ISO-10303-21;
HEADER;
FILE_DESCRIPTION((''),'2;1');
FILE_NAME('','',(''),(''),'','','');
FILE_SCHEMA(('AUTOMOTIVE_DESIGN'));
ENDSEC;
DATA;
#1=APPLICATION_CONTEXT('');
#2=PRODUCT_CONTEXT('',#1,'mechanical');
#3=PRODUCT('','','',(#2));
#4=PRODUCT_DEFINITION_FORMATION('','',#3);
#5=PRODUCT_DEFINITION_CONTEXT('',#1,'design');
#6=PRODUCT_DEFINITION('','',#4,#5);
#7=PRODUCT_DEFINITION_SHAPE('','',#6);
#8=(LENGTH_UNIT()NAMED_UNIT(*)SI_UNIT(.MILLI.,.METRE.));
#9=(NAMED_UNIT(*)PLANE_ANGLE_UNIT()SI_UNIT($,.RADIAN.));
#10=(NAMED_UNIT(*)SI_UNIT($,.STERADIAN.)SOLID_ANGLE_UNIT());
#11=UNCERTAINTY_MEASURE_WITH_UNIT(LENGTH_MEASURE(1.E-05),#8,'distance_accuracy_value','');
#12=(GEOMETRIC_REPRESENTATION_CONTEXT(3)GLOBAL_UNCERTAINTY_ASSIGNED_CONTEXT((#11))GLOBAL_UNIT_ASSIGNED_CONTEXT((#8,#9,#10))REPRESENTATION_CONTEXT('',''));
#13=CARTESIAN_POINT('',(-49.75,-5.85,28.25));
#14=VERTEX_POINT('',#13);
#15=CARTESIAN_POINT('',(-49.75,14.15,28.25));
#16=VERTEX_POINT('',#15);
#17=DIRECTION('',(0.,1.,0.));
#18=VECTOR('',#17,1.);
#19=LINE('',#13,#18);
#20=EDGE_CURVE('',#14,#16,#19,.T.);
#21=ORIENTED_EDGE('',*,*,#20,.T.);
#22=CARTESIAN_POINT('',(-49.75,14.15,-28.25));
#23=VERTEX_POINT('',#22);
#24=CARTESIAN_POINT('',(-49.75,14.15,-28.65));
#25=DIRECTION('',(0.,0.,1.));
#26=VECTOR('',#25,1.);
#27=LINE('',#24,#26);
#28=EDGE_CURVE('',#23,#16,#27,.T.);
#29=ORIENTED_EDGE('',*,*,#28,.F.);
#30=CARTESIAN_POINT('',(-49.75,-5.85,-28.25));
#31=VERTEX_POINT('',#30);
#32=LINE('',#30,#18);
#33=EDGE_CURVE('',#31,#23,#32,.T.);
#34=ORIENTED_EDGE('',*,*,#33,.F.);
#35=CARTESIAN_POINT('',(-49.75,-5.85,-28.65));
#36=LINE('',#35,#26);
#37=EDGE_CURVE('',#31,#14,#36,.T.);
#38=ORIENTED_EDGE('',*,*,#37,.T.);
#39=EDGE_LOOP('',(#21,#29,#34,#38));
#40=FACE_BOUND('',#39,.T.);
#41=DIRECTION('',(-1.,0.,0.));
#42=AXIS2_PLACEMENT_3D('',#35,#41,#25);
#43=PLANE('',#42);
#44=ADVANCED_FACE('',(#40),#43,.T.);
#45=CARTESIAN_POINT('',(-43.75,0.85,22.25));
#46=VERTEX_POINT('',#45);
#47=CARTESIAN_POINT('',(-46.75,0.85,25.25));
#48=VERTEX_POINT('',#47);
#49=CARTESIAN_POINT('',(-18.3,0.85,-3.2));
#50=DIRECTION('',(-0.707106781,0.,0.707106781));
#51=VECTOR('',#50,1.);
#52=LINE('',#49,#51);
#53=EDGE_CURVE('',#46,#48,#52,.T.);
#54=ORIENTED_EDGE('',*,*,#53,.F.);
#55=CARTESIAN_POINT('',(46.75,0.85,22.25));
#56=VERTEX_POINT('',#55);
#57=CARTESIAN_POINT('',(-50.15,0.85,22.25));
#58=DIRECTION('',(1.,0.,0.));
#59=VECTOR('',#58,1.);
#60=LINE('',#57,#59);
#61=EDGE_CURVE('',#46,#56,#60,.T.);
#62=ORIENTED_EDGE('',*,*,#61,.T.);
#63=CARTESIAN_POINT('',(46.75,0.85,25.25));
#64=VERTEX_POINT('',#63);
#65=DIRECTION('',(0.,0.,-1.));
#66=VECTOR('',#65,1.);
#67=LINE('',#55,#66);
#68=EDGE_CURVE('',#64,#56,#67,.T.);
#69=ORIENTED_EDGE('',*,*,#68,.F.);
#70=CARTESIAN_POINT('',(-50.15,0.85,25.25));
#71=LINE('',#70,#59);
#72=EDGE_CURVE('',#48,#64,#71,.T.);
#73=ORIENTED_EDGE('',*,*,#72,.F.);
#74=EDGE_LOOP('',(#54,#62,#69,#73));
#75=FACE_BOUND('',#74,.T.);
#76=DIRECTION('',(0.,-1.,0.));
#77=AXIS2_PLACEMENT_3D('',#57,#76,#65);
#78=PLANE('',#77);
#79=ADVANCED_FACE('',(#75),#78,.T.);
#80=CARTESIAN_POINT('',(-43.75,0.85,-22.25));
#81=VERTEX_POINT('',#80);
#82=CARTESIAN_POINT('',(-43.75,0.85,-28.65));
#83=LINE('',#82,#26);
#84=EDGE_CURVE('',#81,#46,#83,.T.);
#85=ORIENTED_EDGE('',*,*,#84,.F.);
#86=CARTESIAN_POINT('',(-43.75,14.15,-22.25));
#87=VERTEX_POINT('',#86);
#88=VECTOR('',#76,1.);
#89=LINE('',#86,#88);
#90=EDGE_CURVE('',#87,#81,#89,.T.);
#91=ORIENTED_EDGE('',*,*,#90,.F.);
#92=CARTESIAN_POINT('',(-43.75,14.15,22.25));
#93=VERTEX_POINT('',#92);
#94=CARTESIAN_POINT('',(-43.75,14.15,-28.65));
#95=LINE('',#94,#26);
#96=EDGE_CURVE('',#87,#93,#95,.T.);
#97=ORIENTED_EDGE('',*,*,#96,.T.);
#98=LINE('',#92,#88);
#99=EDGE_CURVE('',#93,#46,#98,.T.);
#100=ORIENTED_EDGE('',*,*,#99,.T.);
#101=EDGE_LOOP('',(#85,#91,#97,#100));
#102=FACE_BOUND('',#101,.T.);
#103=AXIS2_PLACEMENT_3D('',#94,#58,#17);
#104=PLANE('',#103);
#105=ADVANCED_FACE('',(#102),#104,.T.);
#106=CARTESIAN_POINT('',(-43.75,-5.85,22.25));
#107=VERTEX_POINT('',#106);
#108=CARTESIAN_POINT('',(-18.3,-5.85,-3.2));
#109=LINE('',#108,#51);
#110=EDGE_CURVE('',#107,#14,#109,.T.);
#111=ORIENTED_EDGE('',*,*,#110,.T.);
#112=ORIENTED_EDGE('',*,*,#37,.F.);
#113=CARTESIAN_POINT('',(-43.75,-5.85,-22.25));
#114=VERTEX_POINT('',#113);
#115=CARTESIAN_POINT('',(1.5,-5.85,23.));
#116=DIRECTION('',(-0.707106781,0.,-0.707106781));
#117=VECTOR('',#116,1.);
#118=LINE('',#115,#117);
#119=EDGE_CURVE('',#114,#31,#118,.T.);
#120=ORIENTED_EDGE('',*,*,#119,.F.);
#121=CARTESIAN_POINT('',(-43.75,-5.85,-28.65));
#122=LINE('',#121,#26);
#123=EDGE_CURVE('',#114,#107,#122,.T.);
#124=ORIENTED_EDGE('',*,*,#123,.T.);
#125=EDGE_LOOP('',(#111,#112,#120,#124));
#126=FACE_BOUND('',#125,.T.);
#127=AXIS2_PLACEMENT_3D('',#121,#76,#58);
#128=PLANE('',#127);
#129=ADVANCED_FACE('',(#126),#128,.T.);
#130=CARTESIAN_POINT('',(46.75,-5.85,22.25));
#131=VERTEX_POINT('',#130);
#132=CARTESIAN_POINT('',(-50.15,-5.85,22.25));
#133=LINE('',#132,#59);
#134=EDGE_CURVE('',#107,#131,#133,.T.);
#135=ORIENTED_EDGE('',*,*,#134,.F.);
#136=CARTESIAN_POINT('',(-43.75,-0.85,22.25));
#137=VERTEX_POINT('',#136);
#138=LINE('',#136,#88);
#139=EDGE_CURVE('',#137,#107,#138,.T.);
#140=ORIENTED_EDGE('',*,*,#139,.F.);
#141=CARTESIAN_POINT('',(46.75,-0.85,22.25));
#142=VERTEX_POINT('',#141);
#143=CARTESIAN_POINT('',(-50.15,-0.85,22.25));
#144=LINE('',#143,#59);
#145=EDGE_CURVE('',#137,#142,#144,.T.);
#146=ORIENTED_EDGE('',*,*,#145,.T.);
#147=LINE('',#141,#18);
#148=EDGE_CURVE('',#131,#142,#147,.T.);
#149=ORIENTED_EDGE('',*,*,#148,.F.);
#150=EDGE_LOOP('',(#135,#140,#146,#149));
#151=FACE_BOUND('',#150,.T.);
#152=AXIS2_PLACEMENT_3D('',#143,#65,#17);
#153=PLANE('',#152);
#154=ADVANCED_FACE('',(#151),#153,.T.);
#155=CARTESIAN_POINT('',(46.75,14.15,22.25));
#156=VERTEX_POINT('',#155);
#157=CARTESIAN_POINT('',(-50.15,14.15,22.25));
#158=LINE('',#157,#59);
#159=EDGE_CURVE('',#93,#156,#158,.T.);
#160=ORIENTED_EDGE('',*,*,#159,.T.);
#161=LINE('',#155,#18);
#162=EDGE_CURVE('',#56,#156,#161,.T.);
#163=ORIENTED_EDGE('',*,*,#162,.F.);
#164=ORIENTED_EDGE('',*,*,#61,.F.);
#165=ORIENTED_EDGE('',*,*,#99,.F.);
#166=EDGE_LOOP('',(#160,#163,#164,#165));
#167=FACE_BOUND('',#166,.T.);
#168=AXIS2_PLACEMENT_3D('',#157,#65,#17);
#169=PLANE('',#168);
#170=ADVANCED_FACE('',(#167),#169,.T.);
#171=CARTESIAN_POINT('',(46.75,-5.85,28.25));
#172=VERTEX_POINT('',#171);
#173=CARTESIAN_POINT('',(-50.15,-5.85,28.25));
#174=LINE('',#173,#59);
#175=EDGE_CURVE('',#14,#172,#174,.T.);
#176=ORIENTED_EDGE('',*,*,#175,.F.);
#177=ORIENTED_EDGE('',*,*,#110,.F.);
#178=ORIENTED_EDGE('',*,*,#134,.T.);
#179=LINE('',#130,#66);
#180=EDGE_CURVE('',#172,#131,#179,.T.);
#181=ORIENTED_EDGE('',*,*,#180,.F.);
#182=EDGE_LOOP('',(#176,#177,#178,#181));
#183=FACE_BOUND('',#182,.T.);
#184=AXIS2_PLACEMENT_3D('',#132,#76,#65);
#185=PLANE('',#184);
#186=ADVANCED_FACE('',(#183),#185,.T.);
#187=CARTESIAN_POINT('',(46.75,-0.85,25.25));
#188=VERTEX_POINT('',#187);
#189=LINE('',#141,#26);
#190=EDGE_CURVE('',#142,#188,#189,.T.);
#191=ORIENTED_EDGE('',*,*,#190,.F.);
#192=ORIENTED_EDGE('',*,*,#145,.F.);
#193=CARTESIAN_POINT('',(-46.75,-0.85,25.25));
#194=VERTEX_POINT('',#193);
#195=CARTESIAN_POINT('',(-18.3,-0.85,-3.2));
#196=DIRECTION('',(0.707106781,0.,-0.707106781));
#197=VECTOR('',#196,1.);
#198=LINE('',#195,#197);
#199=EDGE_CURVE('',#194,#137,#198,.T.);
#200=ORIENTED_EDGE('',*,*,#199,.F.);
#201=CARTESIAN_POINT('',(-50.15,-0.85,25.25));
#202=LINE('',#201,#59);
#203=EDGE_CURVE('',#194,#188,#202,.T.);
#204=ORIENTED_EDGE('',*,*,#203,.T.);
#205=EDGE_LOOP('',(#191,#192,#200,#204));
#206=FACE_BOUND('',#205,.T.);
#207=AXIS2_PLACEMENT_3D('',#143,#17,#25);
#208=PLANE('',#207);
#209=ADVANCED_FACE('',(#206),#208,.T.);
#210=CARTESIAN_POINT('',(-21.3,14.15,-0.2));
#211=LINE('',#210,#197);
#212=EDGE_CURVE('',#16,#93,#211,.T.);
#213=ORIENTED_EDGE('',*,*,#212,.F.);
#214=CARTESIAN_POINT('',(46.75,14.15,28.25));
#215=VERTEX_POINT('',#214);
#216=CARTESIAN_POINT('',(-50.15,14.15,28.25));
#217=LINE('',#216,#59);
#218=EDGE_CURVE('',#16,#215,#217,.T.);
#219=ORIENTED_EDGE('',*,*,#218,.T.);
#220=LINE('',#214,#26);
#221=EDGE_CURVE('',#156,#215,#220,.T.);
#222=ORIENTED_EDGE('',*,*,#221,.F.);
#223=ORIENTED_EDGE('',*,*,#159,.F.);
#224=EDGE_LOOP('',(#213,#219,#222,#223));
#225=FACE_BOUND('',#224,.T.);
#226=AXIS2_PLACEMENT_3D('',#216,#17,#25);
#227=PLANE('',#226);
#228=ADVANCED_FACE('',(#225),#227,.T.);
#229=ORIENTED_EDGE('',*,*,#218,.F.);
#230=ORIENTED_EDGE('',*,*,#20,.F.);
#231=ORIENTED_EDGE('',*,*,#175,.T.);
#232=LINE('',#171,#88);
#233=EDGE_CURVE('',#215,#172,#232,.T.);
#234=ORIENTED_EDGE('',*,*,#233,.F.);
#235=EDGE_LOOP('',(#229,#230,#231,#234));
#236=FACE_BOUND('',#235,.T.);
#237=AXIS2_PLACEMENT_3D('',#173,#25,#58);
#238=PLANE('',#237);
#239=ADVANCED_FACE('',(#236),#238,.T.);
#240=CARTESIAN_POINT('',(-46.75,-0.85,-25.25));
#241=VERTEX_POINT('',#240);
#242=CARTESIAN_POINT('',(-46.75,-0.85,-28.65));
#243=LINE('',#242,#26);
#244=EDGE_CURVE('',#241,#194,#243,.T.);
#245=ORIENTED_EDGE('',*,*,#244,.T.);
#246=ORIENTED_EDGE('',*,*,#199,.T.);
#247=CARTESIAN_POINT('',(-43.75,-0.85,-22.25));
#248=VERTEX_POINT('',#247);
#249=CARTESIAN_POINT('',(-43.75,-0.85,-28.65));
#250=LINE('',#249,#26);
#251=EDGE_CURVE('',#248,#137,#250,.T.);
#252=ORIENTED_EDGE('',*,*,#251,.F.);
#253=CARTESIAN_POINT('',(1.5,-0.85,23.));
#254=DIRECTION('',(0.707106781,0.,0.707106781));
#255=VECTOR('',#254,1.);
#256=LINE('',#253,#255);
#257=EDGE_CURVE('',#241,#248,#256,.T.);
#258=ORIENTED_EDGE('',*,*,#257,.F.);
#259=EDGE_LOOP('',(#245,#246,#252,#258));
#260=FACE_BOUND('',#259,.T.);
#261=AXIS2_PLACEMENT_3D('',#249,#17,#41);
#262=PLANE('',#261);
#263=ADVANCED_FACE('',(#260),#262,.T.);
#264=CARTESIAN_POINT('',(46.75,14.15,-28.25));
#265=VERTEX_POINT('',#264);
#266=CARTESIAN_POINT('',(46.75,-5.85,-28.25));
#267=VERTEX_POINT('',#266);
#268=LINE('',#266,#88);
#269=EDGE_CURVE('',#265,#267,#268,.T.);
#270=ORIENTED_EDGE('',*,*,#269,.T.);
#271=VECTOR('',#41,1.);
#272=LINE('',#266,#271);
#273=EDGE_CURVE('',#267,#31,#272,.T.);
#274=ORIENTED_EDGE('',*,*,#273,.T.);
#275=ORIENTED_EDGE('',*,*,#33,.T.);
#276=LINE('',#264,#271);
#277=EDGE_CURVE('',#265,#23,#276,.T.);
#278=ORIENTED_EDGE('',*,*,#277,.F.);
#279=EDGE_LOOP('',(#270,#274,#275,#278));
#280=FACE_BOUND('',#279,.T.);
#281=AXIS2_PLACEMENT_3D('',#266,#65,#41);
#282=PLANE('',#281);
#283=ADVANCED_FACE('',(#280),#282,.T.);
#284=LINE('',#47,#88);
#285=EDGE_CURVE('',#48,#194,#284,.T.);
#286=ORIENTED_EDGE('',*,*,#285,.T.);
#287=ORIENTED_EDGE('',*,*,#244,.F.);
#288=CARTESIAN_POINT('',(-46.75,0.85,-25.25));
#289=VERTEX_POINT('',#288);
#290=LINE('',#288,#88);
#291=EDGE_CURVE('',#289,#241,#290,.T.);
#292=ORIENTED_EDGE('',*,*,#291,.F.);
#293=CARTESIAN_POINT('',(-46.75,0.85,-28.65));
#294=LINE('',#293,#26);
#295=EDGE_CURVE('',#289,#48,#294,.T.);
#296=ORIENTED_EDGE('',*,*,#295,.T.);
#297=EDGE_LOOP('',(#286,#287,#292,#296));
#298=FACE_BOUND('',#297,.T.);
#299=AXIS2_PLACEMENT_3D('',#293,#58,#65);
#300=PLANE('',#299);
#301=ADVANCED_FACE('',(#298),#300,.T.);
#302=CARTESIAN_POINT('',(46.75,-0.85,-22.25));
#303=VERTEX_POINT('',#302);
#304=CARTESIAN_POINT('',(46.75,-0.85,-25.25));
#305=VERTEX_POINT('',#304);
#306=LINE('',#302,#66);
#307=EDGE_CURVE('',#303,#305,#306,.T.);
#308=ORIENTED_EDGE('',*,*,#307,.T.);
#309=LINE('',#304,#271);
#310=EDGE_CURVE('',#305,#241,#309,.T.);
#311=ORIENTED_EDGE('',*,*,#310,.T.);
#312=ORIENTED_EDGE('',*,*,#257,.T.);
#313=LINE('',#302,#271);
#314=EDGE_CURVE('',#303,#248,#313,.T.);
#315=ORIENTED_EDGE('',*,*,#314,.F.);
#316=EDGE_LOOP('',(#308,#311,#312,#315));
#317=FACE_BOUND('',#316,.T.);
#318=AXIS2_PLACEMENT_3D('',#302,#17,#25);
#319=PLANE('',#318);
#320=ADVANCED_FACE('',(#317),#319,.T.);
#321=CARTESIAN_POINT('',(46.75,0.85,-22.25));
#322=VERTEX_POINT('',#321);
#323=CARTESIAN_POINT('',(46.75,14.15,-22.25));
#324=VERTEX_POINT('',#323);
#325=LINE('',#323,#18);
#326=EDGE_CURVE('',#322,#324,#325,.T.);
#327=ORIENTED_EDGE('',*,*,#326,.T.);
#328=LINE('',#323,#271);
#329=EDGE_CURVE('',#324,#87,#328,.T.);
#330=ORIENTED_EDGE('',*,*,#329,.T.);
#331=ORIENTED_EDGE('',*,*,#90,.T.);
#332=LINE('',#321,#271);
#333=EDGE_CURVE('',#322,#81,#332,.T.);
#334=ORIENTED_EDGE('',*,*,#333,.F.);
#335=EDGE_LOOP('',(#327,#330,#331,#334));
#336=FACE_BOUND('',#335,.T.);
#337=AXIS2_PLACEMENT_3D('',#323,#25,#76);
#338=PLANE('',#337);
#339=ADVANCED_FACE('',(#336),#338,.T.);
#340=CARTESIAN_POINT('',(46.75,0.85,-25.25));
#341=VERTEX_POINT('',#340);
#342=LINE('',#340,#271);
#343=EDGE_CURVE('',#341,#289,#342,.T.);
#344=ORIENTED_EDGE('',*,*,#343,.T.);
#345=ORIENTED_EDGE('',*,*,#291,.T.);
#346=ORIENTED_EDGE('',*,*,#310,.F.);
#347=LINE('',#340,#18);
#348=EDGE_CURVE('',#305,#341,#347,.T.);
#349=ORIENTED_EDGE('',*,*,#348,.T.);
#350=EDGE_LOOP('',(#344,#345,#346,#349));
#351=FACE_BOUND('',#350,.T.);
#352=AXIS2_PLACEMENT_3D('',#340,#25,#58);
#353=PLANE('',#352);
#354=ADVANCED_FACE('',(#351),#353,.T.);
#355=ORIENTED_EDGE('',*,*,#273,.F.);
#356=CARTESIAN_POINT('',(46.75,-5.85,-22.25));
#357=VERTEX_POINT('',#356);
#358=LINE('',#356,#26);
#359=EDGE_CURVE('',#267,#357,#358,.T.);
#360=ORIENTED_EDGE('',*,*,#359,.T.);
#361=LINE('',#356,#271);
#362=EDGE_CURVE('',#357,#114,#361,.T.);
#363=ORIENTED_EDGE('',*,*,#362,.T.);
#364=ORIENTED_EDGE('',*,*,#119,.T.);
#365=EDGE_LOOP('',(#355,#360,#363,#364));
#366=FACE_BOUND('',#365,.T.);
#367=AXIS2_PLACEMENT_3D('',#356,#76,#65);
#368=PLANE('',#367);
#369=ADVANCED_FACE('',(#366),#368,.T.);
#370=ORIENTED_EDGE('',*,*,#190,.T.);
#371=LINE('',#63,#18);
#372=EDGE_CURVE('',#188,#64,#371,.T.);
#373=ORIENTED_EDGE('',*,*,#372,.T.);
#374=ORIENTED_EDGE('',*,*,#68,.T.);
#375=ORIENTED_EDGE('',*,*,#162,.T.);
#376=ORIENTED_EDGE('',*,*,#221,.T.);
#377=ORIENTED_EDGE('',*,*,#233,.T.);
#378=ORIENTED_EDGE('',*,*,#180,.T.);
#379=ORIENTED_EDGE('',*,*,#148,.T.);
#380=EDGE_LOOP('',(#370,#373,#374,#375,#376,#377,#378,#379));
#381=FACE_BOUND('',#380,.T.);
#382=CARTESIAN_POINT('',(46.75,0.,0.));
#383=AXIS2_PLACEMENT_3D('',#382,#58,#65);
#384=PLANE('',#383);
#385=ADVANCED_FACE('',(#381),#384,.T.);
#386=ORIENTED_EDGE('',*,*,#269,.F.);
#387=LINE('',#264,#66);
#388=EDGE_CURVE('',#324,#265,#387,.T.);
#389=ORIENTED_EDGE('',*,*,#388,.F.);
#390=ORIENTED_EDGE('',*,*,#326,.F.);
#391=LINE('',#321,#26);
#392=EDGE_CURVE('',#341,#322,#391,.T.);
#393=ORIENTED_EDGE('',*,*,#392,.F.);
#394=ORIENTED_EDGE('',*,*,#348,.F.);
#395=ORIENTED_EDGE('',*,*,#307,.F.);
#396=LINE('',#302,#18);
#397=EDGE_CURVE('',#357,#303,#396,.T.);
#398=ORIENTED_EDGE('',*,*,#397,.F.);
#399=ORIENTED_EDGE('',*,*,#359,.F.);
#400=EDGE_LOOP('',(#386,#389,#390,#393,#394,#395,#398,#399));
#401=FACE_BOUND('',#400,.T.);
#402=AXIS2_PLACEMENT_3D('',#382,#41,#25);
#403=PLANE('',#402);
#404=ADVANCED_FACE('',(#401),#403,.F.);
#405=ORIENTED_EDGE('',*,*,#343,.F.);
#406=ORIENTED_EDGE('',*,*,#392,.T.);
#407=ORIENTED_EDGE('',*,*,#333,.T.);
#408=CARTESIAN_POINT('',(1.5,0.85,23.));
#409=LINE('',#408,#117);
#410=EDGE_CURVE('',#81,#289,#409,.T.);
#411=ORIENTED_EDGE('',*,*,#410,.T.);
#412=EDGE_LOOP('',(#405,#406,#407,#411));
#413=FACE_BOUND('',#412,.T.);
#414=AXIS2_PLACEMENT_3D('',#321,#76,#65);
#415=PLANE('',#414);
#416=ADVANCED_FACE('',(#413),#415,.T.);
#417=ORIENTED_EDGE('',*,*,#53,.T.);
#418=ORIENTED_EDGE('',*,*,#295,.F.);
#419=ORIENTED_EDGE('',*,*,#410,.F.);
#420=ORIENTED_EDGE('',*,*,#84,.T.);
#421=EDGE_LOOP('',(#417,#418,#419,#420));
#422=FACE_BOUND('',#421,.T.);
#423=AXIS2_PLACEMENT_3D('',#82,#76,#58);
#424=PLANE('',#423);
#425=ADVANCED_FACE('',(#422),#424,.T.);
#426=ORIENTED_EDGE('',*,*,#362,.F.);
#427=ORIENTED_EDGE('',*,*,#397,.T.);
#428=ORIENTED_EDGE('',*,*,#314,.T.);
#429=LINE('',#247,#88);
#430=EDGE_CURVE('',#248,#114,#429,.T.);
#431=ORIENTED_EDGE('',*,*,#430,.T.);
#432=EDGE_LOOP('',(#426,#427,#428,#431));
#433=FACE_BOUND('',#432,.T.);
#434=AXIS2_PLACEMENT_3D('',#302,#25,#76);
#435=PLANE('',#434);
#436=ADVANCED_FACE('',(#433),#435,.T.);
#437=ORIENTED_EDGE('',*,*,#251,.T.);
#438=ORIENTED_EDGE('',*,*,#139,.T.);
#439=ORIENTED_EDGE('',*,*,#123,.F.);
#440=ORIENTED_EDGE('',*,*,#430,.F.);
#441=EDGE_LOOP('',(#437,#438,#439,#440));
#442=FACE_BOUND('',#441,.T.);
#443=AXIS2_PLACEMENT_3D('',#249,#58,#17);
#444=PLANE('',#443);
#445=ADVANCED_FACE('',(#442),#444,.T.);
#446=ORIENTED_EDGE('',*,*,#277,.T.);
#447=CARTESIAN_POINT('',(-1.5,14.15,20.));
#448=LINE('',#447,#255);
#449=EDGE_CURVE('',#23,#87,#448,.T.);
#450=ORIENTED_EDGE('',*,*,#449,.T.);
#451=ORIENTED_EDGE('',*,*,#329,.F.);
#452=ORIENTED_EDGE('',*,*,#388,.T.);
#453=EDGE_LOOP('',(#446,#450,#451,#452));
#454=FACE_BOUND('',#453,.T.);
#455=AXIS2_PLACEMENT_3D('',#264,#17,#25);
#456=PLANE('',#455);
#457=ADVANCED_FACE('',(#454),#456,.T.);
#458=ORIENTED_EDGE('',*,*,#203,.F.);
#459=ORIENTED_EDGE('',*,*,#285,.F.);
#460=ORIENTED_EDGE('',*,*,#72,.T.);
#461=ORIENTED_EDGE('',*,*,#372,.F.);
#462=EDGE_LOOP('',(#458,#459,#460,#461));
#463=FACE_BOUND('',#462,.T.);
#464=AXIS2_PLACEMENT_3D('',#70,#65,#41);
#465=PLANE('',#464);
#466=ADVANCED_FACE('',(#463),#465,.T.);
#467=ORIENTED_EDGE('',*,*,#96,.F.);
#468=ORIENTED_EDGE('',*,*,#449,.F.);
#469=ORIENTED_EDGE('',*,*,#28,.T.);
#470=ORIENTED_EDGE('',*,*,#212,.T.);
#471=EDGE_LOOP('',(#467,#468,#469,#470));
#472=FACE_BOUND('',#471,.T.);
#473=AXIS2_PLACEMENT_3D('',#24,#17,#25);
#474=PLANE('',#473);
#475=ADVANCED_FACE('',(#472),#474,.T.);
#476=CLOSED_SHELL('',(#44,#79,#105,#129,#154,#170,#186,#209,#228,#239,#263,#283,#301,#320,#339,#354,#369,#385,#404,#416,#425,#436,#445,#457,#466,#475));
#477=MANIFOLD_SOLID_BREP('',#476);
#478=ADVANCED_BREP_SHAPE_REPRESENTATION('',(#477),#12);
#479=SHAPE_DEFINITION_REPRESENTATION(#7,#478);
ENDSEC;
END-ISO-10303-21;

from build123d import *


with BuildPart() as part:
    # Sweep1: sweep along a path in Sketch1
    with BuildLine(Plane(origin=(0, 0, 0), x_dir=(1, 0, 0), z_dir=(0, 1, 0))) as sweep1_path:
        Line((46.75, -25.25), (-46.75, -25.25))
        Line((-46.75, -25.25), (-46.75, 25.25))
        Line((-46.75, 25.25), (46.75, 25.25))
    # Sketch2 → Sweep1 (sweep)
    with BuildSketch(Plane(origin=(46.75, 0, 0), x_dir=(0, 0, -1), z_dir=(1, 0, 0))):
        Polygon((-25.25, 0.85), (-25.25, -0.85), (-22.25, -0.85), (-22.25, -5.85), (-28.25, -5.85), (-28.25, 14.15), (-22.25, 14.15), (-22.25, 0.85), align=None)
    sweep(path=sweep1_path.line, transition=Transition.RIGHT)


solid = part.part
